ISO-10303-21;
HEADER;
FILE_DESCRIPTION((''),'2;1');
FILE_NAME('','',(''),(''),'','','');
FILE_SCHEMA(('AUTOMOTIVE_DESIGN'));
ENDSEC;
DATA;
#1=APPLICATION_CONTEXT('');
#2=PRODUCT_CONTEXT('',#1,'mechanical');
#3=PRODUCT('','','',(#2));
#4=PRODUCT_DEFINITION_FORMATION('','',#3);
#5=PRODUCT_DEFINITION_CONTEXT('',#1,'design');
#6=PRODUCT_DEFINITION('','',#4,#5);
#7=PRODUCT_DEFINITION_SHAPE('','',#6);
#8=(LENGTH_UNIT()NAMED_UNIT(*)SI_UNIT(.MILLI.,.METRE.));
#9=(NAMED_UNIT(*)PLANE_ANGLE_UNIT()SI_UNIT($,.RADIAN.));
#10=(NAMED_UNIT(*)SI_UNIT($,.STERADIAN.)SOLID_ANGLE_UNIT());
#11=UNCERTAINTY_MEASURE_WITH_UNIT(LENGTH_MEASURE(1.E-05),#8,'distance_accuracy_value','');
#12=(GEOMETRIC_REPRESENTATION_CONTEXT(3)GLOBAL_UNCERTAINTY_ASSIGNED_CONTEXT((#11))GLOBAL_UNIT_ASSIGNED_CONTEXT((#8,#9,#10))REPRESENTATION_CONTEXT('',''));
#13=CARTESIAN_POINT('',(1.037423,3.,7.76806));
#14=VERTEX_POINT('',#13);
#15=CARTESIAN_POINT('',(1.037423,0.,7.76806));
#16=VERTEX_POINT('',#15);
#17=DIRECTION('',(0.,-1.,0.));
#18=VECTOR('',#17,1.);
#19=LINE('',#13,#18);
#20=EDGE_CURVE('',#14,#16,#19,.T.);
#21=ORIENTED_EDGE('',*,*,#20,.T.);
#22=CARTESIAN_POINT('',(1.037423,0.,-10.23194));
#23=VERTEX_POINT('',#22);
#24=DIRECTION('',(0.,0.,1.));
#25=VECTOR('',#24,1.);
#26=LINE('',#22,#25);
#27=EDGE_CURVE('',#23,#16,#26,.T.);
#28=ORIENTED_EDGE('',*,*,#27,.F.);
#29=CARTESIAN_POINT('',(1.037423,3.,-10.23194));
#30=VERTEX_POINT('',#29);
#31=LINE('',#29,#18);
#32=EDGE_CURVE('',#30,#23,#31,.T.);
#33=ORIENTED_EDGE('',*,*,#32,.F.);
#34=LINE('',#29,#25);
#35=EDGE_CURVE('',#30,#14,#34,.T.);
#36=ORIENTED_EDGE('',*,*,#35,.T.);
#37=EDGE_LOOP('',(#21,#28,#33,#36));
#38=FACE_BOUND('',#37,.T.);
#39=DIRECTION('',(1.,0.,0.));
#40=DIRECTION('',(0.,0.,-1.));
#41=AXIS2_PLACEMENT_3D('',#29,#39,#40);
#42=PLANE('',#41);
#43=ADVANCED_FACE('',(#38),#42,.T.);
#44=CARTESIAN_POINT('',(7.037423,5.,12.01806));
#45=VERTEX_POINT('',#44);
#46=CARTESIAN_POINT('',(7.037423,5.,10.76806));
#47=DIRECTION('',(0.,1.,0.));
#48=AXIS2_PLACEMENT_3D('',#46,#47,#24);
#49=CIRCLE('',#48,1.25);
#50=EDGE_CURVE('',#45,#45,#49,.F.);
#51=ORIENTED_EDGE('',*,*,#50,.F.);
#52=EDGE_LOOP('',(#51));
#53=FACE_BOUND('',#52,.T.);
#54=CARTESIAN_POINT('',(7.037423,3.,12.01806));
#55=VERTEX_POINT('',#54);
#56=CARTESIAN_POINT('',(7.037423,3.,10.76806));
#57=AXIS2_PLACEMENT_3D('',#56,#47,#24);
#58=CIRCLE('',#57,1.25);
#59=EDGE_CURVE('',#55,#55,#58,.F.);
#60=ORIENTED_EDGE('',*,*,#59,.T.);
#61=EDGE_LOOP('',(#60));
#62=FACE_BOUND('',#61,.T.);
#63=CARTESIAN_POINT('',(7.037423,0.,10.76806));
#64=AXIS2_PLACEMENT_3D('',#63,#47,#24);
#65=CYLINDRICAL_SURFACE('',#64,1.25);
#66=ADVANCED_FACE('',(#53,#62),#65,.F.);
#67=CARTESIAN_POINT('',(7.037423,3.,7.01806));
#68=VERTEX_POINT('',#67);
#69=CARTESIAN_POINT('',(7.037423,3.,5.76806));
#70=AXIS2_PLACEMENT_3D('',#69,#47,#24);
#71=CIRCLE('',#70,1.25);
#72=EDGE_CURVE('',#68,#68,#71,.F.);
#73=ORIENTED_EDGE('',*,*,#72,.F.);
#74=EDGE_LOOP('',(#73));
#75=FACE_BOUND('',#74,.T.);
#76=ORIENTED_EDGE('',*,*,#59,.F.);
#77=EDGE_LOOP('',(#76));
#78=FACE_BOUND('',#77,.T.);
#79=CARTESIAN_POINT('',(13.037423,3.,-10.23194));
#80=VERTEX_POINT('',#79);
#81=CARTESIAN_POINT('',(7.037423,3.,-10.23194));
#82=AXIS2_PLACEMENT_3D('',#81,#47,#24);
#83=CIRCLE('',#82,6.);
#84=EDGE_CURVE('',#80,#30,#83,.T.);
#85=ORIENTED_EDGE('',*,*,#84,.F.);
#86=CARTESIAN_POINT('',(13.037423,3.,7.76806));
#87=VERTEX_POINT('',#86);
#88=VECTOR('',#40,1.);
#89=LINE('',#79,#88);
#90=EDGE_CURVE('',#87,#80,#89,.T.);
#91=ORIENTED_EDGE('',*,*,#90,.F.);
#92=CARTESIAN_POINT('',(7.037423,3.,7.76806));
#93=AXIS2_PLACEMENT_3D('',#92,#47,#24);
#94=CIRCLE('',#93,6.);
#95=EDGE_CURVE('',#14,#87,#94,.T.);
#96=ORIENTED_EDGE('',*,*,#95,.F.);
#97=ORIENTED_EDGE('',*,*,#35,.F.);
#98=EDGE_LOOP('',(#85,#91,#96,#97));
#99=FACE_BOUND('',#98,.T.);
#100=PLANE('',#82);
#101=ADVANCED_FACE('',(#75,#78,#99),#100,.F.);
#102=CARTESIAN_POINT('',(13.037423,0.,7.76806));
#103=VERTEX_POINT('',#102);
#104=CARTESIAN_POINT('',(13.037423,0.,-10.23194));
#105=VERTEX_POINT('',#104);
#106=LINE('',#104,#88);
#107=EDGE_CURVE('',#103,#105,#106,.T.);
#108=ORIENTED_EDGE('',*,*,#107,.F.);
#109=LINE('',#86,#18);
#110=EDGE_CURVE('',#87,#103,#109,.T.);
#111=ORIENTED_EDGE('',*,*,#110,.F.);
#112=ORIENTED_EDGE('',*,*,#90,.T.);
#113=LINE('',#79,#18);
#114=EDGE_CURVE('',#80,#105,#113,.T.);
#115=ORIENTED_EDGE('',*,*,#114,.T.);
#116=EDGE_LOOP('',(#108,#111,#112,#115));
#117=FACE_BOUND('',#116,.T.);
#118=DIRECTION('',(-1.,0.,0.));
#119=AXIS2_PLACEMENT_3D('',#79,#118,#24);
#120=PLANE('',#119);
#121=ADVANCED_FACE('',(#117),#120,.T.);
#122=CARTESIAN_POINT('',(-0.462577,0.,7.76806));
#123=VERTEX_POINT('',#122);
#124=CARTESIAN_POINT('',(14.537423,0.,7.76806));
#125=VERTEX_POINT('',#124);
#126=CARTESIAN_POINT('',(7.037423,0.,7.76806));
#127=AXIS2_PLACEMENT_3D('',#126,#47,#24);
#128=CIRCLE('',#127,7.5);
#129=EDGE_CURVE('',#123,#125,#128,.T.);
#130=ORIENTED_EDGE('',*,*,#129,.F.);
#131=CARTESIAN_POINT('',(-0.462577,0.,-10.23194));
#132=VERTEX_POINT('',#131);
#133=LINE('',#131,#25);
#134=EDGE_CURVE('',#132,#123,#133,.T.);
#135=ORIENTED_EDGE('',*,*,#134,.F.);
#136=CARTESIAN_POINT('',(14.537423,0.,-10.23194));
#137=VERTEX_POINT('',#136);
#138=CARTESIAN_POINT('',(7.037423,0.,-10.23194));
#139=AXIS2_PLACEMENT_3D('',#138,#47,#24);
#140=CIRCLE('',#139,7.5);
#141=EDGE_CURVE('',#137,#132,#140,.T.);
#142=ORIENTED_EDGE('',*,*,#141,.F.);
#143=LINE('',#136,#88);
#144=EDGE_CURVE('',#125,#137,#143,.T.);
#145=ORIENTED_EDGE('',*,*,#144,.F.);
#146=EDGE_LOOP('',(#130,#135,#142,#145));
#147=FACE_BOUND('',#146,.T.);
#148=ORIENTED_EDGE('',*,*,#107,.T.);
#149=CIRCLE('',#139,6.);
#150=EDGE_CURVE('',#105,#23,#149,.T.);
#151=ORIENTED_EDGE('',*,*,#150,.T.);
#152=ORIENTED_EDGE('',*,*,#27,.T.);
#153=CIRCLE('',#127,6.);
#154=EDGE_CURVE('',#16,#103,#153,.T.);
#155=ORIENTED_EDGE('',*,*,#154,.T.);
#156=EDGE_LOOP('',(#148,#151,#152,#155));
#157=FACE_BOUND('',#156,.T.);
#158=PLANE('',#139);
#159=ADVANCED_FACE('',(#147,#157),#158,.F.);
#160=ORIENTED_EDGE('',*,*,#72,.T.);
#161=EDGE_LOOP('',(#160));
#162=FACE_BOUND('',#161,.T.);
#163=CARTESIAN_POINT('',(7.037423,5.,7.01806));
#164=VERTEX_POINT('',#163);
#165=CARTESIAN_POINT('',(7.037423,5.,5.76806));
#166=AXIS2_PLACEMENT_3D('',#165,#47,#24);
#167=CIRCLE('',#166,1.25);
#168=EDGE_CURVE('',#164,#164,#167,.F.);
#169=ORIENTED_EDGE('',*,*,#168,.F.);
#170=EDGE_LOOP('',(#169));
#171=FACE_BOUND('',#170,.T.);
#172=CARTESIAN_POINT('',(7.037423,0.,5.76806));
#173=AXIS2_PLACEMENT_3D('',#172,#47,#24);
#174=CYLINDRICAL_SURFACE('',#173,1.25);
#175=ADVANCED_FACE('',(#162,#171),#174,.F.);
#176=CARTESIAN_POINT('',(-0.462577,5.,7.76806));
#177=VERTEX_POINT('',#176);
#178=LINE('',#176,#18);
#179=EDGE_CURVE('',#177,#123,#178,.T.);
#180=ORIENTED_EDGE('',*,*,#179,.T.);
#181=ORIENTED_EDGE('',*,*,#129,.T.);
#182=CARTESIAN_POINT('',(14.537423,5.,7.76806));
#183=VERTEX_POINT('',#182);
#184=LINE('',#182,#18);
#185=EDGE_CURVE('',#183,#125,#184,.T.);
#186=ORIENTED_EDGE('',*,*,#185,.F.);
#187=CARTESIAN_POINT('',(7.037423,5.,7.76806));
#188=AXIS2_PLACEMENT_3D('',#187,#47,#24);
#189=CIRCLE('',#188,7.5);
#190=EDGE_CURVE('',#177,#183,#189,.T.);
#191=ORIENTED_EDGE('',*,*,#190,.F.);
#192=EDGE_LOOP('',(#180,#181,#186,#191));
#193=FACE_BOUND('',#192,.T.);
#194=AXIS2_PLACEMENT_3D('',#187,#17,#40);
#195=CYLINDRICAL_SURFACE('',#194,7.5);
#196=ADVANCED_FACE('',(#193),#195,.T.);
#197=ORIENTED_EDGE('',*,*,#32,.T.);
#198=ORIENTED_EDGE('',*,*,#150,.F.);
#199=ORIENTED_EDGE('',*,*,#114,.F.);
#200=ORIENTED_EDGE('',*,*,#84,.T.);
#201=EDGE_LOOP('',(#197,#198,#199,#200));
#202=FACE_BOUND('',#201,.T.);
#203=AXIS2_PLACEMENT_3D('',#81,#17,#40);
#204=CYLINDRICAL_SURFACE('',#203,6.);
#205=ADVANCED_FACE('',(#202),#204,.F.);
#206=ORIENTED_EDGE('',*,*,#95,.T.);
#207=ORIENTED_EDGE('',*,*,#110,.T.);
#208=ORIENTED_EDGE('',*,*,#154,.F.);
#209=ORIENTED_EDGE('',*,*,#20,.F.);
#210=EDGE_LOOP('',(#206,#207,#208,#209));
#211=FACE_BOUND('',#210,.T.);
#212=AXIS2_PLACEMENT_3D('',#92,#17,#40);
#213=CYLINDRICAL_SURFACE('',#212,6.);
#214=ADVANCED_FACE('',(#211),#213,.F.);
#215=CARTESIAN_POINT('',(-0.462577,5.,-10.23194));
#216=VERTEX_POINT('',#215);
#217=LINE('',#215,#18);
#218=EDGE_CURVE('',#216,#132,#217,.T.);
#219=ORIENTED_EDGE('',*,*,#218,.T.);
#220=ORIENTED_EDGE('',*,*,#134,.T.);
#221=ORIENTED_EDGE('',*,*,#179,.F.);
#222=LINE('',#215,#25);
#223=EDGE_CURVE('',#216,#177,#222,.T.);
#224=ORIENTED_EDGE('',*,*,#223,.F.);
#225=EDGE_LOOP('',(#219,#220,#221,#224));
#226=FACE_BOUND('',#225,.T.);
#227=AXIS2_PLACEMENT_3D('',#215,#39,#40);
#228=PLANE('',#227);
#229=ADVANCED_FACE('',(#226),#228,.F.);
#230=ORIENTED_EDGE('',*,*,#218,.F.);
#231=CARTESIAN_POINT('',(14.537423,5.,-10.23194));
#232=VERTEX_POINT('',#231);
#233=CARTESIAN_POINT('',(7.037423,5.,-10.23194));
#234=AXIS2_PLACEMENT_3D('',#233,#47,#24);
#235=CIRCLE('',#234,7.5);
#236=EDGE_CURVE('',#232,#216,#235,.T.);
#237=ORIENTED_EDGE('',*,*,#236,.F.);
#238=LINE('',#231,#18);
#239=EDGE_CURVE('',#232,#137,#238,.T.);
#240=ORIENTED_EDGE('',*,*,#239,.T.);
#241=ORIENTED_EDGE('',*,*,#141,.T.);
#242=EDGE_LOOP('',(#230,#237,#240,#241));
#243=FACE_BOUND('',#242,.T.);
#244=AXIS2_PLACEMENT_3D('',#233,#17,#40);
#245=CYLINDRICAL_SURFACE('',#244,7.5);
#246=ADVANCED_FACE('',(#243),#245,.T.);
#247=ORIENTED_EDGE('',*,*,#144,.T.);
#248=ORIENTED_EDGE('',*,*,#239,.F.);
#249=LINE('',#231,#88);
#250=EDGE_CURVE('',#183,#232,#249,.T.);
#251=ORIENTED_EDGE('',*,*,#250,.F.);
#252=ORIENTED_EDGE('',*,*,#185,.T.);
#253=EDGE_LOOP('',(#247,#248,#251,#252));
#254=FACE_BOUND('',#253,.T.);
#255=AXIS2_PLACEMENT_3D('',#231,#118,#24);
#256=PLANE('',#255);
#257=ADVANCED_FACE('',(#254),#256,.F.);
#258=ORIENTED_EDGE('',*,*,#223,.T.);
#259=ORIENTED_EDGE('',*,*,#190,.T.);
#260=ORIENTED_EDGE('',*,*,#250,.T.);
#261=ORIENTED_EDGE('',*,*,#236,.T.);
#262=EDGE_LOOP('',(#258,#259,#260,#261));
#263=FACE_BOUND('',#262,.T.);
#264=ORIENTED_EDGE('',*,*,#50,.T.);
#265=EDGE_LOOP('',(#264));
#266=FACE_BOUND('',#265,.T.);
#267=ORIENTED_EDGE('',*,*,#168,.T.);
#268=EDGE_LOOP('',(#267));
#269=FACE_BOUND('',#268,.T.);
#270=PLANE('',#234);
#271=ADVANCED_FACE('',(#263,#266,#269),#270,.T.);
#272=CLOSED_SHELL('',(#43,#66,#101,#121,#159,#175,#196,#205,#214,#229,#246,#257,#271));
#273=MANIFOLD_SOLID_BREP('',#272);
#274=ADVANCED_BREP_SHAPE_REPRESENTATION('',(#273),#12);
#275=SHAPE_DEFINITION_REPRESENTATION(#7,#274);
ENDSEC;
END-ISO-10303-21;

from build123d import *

# Parameters (mm, degrees)
BOSS_EXTRUDE2_DEPTH     = 5
CUT_EXTRUDE2_DEPTH      = 3
CUT_EXTRUDE3_DEPTH      = 24.124843106
CUT_EXTRUDE3_DEPTH_BACK = 3
SKETCH4_R               = 1.25


with BuildPart() as part:
    # Sketch3 → Boss-Extrude2 (new body)
    with BuildSketch(Plane(origin=(0, 0, 0), x_dir=(1, 0, 0), z_dir=(0, 1, 0))):
        with BuildLine():
            Line((-0.462577175, 10.231940285), (-0.462577175, -7.768059715))
            ThreePointArc((-0.462577175, -7.768059715), (7.037422825, -15.268059715), (14.537422825, -7.768059715))
            Line((14.537422825, -7.768059715), (14.537422825, 10.231940285))
            ThreePointArc((14.537422825, 10.231940285), (7.037422825, 17.731940285), (-0.462577175, 10.231940285))
        make_face()
    extrude(amount=BOSS_EXTRUDE2_DEPTH)

    # Sketch2 → Cut-Extrude2 (cut)
    with BuildSketch(Plane(origin=(0, 0, 0), x_dir=(1, 0, 0), z_dir=(0, 1, 0))):
        with BuildLine():
            Line((1.037422825, 10.231940285), (1.037422825, -7.768059715))
            ThreePointArc((1.037422825, -7.768059715), (7.037422825, -13.768059715), (13.037422825, -7.768059715))
            Line((13.037422825, -7.768059715), (13.037422825, 10.231940285))
            ThreePointArc((13.037422825, 10.231940285), (7.037422825, 16.231940285), (1.037422825, 10.231940285))
        make_face()
    extrude(amount=CUT_EXTRUDE2_DEPTH, mode=Mode.SUBTRACT)

    # Sketch4 → Cut-Extrude3 (cut, two sides: drawn at the far end of the back side and taken through both)
    with BuildSketch(Plane.XZ.offset(-3).offset(-CUT_EXTRUDE3_DEPTH_BACK)):
        with Locations(Location((7.037422825, 10.768059715, 0), (0, 0, 90))):
            Circle(SKETCH4_R)
        with Locations(Location((7.037422825, 5.768059715, 0), (0, 0, 90))):
            Circle(SKETCH4_R)
    extrude(amount=CUT_EXTRUDE3_DEPTH + CUT_EXTRUDE3_DEPTH_BACK, mode=Mode.SUBTRACT)


solid = part.part
